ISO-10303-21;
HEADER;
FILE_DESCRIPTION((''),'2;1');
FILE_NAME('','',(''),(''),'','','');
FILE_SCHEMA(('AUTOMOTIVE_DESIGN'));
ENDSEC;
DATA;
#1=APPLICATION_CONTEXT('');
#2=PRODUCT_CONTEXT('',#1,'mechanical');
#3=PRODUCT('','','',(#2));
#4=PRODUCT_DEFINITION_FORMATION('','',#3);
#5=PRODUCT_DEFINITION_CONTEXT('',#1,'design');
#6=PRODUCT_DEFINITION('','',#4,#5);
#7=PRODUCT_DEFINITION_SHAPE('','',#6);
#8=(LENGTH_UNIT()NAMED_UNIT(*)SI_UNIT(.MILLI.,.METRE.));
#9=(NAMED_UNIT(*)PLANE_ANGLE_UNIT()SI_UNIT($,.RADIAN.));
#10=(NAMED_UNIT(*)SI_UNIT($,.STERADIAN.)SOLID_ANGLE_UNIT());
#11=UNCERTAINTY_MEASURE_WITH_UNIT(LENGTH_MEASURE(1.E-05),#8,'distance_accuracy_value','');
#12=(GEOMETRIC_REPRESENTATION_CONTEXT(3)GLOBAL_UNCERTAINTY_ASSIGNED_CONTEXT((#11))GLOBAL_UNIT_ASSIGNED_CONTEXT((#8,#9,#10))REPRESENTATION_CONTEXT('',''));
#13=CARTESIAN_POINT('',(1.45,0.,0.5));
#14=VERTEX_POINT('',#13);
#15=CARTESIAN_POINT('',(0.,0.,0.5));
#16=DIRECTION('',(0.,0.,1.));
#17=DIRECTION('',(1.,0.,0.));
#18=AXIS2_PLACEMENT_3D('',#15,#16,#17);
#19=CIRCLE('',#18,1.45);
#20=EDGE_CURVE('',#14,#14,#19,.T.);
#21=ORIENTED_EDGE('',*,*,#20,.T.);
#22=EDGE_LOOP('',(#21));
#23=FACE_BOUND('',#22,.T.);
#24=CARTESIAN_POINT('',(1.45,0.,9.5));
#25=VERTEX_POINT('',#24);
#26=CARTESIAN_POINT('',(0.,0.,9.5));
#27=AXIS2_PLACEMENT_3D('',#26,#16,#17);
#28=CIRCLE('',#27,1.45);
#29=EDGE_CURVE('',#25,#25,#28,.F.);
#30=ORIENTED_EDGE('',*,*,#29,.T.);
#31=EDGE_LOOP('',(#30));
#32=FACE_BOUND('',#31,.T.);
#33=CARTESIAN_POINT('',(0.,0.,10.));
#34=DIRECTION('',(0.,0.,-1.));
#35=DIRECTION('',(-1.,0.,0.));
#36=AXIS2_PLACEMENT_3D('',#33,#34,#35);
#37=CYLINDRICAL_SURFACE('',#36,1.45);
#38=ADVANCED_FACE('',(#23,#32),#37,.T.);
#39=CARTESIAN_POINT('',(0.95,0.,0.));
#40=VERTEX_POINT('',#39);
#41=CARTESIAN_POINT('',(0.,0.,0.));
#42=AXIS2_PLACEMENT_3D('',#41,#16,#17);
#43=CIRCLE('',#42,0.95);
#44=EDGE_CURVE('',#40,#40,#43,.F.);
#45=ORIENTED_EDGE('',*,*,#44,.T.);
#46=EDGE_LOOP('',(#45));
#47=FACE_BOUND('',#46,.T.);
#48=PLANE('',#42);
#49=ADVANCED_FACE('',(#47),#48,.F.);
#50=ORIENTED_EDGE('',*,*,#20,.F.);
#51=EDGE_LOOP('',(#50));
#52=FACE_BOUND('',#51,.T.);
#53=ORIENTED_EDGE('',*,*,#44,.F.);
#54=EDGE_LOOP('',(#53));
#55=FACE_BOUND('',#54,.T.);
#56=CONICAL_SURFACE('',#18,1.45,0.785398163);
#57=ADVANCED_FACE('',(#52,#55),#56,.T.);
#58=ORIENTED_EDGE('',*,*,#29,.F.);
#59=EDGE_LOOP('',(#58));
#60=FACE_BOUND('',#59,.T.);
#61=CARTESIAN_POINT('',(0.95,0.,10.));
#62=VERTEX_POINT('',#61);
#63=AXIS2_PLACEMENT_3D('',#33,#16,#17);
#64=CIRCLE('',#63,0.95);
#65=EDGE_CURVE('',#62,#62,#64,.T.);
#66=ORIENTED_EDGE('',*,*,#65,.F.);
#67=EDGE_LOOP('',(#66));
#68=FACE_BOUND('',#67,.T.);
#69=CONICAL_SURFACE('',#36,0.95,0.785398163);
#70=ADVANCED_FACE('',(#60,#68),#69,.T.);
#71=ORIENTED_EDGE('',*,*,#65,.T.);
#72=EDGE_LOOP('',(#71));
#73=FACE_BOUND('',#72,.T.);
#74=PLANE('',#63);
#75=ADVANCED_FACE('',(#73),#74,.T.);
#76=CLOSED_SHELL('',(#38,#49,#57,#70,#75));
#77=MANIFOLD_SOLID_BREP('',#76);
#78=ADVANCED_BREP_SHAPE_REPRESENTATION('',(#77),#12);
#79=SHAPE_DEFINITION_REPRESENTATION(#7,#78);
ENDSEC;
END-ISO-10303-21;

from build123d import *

# Parameters (mm, degrees)
ESQUISSE1_R        = 1.45
BOSS_EXTRU_1_DEPTH = 10
CHANFREIN1_SIZE    = 0.5


with BuildPart() as part:
    # Esquisse1 → Boss.-Extru.1 (new body)
    with BuildSketch(Plane.XY):
        Circle(ESQUISSE1_R)
    extrude(amount=BOSS_EXTRU_1_DEPTH)

    # Chanfrein1
    chanfrein1_edges = [part.edges().sort_by_distance(p)[0] for p in [
        (-1.45, 0, 0),
        (-1.45, 0, 10),
    ]]
    chamfer(chanfrein1_edges, length=CHANFREIN1_SIZE)


solid = part.part
